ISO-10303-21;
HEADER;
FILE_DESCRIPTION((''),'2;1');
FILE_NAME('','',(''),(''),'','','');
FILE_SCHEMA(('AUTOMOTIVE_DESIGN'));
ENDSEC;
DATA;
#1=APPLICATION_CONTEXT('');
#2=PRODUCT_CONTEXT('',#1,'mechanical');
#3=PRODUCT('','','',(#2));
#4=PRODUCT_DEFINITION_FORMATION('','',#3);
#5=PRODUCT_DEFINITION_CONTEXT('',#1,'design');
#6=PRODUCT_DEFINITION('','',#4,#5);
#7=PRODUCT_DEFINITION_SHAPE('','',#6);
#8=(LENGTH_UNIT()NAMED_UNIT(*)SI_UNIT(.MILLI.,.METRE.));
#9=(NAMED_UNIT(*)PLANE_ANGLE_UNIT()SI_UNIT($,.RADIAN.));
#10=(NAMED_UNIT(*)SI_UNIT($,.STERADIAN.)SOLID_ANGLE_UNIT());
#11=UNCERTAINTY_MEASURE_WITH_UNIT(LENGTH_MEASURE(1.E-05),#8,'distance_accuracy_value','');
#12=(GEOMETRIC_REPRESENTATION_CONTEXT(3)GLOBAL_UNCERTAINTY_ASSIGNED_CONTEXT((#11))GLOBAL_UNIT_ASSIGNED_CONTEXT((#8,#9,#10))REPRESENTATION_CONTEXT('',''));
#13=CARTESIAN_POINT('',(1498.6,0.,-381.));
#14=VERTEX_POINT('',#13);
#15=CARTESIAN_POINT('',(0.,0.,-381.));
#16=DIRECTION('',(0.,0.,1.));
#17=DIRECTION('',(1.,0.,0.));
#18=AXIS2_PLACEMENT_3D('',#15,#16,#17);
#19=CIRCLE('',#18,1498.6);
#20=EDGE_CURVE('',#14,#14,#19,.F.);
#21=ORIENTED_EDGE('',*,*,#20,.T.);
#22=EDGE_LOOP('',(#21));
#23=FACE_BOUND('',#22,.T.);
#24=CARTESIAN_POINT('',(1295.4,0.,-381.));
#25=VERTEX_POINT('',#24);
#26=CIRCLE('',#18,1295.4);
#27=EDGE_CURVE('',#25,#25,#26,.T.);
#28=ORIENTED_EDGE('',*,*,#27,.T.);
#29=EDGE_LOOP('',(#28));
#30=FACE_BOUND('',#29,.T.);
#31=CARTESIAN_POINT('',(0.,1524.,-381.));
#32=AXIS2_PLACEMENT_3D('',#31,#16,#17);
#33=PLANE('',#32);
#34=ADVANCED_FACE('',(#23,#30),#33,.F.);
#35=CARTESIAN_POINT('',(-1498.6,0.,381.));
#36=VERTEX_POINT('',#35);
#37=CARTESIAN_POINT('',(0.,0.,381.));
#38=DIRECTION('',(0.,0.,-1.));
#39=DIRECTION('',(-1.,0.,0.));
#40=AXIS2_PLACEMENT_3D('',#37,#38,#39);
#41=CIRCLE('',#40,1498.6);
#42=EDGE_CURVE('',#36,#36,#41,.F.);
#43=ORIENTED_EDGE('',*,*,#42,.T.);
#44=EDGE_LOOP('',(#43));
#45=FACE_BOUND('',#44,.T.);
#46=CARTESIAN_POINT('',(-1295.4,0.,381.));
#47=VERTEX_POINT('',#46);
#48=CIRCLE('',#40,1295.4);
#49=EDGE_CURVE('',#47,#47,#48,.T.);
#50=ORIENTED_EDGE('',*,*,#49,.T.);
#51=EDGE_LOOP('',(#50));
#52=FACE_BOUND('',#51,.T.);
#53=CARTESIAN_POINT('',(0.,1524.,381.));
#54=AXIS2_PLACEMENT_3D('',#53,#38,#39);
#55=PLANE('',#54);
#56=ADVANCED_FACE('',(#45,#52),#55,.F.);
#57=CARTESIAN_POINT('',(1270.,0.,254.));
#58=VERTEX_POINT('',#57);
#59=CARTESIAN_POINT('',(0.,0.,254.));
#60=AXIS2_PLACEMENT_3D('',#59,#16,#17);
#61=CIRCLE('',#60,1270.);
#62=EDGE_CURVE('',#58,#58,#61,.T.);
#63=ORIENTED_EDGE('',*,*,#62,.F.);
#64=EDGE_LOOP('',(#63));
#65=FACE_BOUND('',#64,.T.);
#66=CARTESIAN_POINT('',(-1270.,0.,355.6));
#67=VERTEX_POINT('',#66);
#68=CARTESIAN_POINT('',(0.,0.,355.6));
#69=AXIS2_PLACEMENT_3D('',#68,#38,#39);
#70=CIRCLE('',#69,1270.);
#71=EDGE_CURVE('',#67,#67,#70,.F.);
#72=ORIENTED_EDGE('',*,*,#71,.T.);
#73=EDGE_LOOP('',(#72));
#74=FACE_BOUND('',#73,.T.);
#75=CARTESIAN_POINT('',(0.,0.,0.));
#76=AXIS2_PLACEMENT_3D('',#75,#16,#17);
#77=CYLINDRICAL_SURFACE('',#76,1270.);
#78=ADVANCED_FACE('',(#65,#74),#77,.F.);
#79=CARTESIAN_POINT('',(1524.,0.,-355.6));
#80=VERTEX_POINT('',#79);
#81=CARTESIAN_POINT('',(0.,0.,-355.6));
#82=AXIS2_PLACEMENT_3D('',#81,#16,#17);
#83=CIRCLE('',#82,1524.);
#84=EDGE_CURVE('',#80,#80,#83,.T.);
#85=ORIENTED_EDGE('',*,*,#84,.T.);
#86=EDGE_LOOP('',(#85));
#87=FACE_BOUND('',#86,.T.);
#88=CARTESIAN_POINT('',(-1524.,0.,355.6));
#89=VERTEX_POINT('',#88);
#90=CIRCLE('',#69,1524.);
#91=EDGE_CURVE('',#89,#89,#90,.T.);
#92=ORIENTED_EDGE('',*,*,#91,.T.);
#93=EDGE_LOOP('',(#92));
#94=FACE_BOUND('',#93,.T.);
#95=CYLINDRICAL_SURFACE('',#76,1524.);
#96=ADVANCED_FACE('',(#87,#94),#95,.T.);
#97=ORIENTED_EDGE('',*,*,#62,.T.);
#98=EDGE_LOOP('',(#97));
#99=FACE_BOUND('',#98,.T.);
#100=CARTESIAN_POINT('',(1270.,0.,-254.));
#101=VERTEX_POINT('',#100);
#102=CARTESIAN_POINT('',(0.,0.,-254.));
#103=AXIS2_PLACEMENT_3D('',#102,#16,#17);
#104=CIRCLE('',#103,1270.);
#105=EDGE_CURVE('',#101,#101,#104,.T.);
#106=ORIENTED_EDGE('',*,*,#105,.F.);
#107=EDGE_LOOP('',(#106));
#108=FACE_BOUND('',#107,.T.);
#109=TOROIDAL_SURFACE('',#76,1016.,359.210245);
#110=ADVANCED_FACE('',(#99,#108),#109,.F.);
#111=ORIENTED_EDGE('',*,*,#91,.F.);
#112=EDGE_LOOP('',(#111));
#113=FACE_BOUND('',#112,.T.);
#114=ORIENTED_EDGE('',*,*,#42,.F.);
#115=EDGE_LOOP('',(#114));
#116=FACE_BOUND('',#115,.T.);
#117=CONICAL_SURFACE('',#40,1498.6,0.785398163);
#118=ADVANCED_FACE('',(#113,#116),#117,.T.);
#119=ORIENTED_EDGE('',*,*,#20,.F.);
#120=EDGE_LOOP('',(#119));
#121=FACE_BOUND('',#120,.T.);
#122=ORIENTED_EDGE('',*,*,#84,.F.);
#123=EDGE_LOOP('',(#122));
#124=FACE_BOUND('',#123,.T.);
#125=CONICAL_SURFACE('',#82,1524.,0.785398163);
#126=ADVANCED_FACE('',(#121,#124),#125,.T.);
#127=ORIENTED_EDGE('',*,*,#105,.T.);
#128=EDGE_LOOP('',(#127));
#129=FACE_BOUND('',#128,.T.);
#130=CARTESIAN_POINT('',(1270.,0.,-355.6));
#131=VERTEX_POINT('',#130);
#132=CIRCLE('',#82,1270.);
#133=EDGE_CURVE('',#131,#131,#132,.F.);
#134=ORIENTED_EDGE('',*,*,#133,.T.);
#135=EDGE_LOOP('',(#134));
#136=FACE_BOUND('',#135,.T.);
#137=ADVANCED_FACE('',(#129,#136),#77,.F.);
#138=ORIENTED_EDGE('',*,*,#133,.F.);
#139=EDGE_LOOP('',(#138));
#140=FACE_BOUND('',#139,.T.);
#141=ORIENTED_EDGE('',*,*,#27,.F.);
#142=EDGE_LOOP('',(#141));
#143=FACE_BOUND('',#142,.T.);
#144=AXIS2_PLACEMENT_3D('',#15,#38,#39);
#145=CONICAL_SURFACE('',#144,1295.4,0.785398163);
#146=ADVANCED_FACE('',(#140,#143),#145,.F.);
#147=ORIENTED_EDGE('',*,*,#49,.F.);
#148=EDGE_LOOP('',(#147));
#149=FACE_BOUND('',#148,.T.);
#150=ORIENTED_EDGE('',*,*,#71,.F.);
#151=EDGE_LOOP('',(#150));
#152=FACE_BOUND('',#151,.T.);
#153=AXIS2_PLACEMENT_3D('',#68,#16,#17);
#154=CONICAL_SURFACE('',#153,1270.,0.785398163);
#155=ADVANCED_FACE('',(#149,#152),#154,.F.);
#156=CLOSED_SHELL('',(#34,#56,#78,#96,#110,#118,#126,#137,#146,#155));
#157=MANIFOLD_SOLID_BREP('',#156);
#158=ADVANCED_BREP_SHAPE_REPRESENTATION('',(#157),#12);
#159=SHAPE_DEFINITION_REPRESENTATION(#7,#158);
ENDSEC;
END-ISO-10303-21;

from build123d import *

# Parameters (mm, degrees)
CHAMFER1_SIZE = 25.4


with BuildPart() as part:
    # Sketch1 → Revolve1 (revolve)
    with BuildSketch(Plane(origin=(0, 0, 0), x_dir=(0, 0, -1), z_dir=(1, 0, 0)), mode=Mode.PRIVATE) as revolve1_sk:
        with BuildLine():
            Line((-381, 1524), (381, 1524))
            Line((381, 1524), (381, 1270))
            Line((381, 1270), (254, 1270))
            ThreePointArc((254, 1270), (0, 1375.210244843), (-254, 1270))
            Line((-254, 1270), (-381, 1270))
            Line((-381, 1270), (-381, 1524))
        make_face()
    revolve(revolve1_sk.sketch.rotate(Axis((0, 0, 0), (0, 0, -1)), 90), axis=Axis((0, 0, 0), (0, 0, -1)))

    # Chamfer1
    chamfer1_edges = [part.edges().sort_by_distance(p)[0] for p in [
        (-1270, 0, -381),
        (-1524, 0, -381),
        (-1524, 0, 381),
        (-1270, 0, 381),
    ]]
    chamfer(chamfer1_edges, length=CHAMFER1_SIZE)


solid = part.part
